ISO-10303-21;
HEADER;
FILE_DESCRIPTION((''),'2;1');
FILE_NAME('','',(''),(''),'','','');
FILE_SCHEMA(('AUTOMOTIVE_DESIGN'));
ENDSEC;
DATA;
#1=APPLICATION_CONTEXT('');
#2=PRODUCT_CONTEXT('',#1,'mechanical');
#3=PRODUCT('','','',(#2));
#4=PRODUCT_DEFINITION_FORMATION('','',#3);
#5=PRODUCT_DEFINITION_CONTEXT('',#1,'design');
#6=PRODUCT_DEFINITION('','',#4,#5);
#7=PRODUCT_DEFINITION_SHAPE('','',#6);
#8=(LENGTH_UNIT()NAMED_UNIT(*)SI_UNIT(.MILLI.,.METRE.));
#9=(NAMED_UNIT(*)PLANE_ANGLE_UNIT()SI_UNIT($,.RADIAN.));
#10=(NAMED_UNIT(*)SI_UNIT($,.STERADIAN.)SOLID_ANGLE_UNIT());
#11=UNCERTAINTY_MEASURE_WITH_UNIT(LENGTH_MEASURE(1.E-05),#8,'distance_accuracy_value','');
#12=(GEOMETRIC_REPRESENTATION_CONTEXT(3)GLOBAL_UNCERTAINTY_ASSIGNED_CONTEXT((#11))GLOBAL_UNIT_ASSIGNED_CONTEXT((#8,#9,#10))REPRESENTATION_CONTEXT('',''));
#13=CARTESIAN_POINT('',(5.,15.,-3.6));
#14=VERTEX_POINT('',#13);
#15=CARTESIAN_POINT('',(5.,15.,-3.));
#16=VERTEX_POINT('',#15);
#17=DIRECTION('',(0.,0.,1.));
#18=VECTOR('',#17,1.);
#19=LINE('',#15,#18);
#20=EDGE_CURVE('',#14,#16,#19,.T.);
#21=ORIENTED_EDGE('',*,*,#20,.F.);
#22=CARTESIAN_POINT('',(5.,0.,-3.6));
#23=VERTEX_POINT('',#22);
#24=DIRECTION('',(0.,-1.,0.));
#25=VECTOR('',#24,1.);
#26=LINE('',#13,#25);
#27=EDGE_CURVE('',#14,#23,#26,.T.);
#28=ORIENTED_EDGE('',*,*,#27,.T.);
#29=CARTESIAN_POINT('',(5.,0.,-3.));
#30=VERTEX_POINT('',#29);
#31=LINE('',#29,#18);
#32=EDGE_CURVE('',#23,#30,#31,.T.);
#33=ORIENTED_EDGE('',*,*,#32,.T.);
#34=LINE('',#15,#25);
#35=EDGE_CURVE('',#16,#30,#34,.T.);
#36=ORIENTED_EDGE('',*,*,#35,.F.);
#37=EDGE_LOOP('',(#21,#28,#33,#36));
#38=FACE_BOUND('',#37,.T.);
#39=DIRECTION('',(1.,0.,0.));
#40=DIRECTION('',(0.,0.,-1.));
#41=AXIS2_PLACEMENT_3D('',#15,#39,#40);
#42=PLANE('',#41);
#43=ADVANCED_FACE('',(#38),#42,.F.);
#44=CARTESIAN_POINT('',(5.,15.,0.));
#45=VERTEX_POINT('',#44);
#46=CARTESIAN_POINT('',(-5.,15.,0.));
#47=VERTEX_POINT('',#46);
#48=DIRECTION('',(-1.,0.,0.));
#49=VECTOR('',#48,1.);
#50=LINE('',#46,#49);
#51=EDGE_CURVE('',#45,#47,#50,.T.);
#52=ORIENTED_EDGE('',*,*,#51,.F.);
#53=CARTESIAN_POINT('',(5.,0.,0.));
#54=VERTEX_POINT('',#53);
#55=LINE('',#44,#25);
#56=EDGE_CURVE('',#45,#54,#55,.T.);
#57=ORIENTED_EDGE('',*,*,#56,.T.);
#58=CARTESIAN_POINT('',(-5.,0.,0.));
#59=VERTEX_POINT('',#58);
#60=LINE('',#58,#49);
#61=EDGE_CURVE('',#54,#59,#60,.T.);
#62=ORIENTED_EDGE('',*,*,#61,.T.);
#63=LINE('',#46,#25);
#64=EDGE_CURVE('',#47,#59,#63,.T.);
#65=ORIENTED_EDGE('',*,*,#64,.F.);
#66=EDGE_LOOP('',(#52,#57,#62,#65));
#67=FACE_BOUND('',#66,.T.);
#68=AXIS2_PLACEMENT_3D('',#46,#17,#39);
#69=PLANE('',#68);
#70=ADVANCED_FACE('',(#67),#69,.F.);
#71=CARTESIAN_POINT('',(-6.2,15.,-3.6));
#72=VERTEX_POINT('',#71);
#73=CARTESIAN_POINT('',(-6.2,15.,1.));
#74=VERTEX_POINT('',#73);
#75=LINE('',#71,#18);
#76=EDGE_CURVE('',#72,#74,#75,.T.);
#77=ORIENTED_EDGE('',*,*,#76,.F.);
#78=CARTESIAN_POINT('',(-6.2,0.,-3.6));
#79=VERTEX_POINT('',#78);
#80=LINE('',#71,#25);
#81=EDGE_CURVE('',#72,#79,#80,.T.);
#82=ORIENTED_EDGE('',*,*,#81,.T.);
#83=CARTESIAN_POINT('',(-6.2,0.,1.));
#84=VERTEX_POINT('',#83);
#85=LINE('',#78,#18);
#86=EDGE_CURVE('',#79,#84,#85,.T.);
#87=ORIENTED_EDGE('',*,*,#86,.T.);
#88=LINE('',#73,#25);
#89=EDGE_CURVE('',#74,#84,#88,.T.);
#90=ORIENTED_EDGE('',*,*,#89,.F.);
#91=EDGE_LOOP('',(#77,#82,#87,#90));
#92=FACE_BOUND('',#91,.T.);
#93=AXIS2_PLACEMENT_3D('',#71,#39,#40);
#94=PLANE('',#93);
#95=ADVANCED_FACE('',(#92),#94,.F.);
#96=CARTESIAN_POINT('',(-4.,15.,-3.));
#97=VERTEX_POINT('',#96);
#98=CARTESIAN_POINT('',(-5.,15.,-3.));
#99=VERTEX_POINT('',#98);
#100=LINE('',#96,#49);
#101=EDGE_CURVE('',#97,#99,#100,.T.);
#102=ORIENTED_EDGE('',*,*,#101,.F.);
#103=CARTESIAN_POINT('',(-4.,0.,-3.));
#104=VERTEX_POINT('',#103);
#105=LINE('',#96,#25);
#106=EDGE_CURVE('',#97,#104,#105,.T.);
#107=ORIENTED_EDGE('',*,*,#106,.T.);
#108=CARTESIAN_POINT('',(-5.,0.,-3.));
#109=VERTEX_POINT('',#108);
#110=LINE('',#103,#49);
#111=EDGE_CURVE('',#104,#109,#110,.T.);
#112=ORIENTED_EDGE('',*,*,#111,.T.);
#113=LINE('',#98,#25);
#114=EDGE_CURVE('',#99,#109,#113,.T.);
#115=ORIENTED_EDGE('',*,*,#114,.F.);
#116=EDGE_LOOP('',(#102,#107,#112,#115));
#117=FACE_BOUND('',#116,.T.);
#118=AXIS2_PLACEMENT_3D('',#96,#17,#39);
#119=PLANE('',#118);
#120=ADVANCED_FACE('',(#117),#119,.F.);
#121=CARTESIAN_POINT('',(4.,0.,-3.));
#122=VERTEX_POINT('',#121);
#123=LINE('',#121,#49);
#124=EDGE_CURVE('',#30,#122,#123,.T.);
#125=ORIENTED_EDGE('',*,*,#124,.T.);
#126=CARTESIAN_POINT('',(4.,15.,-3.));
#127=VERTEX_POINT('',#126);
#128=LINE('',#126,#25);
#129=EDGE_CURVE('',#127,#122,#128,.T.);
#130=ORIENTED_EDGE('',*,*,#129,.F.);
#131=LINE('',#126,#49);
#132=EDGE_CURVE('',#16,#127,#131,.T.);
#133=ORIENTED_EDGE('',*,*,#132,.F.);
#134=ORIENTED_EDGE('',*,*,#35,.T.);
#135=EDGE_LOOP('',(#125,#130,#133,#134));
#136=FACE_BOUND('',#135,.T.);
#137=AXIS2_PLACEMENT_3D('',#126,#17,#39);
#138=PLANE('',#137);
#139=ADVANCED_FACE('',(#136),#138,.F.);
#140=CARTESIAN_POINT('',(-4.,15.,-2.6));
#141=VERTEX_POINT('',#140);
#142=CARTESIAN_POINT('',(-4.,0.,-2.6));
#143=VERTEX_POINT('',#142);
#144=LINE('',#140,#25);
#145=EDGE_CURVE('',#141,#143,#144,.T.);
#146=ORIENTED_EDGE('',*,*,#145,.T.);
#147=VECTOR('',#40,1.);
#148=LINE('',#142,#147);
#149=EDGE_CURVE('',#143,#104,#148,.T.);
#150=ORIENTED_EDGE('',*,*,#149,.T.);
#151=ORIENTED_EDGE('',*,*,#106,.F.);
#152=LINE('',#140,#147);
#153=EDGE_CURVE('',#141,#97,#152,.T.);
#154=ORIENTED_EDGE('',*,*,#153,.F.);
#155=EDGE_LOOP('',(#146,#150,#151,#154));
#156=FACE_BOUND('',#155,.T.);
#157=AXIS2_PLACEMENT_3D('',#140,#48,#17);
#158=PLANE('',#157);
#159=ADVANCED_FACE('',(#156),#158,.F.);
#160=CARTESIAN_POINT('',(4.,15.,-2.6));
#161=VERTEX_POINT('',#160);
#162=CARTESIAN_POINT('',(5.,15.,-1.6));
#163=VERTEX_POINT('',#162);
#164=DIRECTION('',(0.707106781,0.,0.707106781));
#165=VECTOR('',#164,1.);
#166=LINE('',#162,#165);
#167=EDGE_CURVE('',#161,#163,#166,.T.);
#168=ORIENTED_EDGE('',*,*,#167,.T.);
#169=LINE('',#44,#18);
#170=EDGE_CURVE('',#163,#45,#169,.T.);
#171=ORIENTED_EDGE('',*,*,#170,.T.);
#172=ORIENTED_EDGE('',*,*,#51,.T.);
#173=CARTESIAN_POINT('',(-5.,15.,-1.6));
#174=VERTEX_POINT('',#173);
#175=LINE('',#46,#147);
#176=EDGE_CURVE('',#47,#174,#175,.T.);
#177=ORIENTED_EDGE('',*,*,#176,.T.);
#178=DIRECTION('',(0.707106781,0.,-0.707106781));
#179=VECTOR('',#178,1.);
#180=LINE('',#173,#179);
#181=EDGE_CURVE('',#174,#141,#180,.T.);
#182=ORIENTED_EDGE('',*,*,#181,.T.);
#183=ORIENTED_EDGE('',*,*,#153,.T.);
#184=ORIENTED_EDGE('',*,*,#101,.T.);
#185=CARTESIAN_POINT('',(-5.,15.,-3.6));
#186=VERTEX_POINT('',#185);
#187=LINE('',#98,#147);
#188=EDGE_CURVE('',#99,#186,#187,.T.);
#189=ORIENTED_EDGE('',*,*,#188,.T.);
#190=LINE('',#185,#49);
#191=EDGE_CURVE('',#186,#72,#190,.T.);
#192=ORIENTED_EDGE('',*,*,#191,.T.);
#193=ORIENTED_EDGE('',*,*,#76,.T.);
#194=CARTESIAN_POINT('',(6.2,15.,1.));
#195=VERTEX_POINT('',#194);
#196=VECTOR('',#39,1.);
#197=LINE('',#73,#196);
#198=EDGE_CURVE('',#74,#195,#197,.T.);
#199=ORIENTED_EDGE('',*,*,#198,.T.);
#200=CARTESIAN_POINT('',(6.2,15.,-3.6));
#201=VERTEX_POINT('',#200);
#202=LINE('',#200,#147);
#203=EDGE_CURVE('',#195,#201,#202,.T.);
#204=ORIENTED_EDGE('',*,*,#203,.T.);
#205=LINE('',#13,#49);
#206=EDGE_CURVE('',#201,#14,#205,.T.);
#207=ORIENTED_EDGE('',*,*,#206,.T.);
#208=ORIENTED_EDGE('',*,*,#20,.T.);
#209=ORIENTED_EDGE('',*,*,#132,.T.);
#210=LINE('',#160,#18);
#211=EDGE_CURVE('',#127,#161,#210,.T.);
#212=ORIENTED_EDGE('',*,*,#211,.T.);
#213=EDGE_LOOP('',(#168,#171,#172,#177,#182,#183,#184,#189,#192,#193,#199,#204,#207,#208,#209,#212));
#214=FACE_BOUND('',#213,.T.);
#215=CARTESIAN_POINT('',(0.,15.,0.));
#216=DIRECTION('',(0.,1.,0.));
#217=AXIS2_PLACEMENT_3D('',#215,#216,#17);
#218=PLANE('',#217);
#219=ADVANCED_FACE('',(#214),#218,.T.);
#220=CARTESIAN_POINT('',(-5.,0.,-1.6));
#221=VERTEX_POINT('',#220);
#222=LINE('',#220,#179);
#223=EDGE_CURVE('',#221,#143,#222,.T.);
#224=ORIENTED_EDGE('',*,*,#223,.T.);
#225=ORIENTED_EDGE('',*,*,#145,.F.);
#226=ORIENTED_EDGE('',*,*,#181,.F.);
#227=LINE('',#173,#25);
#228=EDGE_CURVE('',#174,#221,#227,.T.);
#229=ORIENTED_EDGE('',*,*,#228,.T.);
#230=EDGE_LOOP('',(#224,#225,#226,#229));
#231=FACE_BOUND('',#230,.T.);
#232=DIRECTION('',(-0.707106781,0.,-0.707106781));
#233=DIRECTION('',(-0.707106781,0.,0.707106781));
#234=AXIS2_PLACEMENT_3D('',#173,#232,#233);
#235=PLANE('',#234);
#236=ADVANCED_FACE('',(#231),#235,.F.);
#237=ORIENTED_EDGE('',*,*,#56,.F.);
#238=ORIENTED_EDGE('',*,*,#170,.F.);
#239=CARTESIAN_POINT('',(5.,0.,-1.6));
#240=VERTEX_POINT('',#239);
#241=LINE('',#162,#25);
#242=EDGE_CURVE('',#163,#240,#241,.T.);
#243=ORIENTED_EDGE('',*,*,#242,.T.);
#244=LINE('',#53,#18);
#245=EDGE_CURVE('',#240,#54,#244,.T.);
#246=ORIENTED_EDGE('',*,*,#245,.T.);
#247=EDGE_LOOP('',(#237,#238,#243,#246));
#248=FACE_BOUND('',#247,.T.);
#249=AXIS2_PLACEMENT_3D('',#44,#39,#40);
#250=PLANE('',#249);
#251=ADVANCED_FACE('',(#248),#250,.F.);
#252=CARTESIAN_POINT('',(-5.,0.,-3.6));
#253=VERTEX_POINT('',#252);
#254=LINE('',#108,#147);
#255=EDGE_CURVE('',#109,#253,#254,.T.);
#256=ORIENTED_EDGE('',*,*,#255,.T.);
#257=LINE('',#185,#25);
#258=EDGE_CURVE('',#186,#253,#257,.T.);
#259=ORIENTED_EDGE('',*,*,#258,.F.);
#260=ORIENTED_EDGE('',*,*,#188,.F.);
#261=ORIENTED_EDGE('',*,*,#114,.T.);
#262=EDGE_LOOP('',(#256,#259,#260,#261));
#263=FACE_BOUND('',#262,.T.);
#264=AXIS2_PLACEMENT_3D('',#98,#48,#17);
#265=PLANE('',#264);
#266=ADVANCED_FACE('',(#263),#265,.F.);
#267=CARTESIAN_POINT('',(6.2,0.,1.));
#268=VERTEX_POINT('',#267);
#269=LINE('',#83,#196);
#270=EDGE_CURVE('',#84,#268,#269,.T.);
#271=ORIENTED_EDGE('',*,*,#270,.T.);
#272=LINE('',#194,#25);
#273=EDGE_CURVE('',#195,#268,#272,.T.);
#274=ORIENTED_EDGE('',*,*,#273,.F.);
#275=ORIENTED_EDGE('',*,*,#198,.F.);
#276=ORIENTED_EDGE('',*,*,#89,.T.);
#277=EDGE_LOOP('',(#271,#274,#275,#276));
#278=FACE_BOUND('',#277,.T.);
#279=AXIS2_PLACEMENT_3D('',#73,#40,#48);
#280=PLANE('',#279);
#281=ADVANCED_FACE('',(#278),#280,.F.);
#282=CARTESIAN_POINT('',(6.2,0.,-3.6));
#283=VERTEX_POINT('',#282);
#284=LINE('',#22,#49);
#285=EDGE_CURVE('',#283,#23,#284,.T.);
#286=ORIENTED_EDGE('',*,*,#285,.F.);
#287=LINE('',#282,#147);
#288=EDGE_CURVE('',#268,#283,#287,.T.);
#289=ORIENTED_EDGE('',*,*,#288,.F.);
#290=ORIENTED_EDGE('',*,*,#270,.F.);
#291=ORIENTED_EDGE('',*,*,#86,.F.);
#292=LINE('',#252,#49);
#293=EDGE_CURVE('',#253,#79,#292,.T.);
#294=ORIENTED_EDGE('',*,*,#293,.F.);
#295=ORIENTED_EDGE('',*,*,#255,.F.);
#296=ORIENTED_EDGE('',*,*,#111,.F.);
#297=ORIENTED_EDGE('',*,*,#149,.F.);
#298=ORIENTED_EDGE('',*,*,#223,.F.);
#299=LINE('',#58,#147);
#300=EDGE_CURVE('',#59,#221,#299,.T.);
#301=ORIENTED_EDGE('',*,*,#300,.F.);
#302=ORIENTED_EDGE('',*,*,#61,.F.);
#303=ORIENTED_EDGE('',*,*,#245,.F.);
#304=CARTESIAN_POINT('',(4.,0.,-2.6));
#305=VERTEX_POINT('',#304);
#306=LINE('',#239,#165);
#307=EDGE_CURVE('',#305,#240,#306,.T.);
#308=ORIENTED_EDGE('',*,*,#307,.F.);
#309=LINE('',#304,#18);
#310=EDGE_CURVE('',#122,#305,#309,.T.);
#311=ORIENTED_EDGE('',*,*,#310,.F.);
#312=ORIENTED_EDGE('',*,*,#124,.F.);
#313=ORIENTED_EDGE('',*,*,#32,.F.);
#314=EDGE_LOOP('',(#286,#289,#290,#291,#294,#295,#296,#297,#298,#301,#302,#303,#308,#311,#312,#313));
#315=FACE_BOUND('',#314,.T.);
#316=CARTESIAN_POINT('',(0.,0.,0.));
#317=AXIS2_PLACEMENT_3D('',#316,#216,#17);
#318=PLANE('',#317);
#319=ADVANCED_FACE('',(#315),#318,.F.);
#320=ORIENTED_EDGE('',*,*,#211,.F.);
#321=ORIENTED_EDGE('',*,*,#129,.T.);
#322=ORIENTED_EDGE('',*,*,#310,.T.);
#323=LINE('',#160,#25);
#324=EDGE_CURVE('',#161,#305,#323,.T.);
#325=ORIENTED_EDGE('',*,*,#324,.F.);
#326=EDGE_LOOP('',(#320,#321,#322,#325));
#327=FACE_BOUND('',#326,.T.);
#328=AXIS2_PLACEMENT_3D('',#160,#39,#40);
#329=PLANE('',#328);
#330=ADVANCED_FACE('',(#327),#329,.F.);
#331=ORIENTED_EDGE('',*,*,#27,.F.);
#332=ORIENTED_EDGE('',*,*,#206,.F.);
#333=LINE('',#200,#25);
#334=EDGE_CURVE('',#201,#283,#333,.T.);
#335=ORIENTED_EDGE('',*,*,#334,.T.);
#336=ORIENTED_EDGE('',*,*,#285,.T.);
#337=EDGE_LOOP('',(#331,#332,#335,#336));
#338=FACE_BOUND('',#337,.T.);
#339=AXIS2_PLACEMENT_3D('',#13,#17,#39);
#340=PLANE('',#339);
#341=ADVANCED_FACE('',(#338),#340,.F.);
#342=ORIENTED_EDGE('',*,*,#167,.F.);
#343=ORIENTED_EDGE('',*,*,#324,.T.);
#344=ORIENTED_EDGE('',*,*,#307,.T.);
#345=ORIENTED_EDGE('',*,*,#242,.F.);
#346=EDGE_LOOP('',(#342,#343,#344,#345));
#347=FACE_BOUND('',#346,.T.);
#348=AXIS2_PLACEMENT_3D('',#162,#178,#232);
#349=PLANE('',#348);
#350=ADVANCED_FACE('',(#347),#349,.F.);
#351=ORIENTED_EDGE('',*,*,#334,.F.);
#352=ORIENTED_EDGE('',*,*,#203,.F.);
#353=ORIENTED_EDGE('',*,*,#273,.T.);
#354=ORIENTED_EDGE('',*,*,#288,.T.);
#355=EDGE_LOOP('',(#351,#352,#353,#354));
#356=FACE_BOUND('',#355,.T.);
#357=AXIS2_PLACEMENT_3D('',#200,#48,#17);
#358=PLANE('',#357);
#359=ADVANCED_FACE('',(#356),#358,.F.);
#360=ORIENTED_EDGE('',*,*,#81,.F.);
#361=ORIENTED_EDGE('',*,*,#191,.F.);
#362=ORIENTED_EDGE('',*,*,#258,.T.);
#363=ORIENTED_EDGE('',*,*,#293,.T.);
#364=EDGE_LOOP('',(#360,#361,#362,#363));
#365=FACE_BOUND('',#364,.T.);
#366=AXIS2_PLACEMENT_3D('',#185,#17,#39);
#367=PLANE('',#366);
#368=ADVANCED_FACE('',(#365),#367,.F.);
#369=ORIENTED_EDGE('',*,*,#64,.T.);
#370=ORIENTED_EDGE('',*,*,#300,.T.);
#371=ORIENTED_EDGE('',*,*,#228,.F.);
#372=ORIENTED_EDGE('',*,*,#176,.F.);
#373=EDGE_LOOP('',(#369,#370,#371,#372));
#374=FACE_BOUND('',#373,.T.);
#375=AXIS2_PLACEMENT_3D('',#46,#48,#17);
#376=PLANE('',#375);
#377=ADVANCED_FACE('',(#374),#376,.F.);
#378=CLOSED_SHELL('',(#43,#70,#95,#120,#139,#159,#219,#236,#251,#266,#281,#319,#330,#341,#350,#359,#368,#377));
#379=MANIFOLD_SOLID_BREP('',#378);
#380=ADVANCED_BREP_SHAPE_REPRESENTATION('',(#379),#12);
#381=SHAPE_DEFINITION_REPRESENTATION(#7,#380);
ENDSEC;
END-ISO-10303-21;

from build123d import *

# Parameters (mm, degrees)
P_IDAT_VYSUNUT_M1_DEPTH = 15


with BuildPart() as part:
    # Skica1 → Přidat vysunutím1 (new body)
    with BuildSketch(Plane(origin=(0, 0, 0), x_dir=(1, 0, 0), z_dir=(0, 1, 0))):
        Polygon((-5, 0), (5, 0), (5, 1.6), (4, 2.6), (4, 3), (5, 3), (5, 3.6), (6.2, 3.6), (6.2, -1), (-6.2, -1), (-6.2, 3.6), (-5, 3.6), (-5, 3), (-4, 3), (-4, 2.6), (-5, 1.6), align=None)
    extrude(amount=P_IDAT_VYSUNUT_M1_DEPTH)


solid = part.part
